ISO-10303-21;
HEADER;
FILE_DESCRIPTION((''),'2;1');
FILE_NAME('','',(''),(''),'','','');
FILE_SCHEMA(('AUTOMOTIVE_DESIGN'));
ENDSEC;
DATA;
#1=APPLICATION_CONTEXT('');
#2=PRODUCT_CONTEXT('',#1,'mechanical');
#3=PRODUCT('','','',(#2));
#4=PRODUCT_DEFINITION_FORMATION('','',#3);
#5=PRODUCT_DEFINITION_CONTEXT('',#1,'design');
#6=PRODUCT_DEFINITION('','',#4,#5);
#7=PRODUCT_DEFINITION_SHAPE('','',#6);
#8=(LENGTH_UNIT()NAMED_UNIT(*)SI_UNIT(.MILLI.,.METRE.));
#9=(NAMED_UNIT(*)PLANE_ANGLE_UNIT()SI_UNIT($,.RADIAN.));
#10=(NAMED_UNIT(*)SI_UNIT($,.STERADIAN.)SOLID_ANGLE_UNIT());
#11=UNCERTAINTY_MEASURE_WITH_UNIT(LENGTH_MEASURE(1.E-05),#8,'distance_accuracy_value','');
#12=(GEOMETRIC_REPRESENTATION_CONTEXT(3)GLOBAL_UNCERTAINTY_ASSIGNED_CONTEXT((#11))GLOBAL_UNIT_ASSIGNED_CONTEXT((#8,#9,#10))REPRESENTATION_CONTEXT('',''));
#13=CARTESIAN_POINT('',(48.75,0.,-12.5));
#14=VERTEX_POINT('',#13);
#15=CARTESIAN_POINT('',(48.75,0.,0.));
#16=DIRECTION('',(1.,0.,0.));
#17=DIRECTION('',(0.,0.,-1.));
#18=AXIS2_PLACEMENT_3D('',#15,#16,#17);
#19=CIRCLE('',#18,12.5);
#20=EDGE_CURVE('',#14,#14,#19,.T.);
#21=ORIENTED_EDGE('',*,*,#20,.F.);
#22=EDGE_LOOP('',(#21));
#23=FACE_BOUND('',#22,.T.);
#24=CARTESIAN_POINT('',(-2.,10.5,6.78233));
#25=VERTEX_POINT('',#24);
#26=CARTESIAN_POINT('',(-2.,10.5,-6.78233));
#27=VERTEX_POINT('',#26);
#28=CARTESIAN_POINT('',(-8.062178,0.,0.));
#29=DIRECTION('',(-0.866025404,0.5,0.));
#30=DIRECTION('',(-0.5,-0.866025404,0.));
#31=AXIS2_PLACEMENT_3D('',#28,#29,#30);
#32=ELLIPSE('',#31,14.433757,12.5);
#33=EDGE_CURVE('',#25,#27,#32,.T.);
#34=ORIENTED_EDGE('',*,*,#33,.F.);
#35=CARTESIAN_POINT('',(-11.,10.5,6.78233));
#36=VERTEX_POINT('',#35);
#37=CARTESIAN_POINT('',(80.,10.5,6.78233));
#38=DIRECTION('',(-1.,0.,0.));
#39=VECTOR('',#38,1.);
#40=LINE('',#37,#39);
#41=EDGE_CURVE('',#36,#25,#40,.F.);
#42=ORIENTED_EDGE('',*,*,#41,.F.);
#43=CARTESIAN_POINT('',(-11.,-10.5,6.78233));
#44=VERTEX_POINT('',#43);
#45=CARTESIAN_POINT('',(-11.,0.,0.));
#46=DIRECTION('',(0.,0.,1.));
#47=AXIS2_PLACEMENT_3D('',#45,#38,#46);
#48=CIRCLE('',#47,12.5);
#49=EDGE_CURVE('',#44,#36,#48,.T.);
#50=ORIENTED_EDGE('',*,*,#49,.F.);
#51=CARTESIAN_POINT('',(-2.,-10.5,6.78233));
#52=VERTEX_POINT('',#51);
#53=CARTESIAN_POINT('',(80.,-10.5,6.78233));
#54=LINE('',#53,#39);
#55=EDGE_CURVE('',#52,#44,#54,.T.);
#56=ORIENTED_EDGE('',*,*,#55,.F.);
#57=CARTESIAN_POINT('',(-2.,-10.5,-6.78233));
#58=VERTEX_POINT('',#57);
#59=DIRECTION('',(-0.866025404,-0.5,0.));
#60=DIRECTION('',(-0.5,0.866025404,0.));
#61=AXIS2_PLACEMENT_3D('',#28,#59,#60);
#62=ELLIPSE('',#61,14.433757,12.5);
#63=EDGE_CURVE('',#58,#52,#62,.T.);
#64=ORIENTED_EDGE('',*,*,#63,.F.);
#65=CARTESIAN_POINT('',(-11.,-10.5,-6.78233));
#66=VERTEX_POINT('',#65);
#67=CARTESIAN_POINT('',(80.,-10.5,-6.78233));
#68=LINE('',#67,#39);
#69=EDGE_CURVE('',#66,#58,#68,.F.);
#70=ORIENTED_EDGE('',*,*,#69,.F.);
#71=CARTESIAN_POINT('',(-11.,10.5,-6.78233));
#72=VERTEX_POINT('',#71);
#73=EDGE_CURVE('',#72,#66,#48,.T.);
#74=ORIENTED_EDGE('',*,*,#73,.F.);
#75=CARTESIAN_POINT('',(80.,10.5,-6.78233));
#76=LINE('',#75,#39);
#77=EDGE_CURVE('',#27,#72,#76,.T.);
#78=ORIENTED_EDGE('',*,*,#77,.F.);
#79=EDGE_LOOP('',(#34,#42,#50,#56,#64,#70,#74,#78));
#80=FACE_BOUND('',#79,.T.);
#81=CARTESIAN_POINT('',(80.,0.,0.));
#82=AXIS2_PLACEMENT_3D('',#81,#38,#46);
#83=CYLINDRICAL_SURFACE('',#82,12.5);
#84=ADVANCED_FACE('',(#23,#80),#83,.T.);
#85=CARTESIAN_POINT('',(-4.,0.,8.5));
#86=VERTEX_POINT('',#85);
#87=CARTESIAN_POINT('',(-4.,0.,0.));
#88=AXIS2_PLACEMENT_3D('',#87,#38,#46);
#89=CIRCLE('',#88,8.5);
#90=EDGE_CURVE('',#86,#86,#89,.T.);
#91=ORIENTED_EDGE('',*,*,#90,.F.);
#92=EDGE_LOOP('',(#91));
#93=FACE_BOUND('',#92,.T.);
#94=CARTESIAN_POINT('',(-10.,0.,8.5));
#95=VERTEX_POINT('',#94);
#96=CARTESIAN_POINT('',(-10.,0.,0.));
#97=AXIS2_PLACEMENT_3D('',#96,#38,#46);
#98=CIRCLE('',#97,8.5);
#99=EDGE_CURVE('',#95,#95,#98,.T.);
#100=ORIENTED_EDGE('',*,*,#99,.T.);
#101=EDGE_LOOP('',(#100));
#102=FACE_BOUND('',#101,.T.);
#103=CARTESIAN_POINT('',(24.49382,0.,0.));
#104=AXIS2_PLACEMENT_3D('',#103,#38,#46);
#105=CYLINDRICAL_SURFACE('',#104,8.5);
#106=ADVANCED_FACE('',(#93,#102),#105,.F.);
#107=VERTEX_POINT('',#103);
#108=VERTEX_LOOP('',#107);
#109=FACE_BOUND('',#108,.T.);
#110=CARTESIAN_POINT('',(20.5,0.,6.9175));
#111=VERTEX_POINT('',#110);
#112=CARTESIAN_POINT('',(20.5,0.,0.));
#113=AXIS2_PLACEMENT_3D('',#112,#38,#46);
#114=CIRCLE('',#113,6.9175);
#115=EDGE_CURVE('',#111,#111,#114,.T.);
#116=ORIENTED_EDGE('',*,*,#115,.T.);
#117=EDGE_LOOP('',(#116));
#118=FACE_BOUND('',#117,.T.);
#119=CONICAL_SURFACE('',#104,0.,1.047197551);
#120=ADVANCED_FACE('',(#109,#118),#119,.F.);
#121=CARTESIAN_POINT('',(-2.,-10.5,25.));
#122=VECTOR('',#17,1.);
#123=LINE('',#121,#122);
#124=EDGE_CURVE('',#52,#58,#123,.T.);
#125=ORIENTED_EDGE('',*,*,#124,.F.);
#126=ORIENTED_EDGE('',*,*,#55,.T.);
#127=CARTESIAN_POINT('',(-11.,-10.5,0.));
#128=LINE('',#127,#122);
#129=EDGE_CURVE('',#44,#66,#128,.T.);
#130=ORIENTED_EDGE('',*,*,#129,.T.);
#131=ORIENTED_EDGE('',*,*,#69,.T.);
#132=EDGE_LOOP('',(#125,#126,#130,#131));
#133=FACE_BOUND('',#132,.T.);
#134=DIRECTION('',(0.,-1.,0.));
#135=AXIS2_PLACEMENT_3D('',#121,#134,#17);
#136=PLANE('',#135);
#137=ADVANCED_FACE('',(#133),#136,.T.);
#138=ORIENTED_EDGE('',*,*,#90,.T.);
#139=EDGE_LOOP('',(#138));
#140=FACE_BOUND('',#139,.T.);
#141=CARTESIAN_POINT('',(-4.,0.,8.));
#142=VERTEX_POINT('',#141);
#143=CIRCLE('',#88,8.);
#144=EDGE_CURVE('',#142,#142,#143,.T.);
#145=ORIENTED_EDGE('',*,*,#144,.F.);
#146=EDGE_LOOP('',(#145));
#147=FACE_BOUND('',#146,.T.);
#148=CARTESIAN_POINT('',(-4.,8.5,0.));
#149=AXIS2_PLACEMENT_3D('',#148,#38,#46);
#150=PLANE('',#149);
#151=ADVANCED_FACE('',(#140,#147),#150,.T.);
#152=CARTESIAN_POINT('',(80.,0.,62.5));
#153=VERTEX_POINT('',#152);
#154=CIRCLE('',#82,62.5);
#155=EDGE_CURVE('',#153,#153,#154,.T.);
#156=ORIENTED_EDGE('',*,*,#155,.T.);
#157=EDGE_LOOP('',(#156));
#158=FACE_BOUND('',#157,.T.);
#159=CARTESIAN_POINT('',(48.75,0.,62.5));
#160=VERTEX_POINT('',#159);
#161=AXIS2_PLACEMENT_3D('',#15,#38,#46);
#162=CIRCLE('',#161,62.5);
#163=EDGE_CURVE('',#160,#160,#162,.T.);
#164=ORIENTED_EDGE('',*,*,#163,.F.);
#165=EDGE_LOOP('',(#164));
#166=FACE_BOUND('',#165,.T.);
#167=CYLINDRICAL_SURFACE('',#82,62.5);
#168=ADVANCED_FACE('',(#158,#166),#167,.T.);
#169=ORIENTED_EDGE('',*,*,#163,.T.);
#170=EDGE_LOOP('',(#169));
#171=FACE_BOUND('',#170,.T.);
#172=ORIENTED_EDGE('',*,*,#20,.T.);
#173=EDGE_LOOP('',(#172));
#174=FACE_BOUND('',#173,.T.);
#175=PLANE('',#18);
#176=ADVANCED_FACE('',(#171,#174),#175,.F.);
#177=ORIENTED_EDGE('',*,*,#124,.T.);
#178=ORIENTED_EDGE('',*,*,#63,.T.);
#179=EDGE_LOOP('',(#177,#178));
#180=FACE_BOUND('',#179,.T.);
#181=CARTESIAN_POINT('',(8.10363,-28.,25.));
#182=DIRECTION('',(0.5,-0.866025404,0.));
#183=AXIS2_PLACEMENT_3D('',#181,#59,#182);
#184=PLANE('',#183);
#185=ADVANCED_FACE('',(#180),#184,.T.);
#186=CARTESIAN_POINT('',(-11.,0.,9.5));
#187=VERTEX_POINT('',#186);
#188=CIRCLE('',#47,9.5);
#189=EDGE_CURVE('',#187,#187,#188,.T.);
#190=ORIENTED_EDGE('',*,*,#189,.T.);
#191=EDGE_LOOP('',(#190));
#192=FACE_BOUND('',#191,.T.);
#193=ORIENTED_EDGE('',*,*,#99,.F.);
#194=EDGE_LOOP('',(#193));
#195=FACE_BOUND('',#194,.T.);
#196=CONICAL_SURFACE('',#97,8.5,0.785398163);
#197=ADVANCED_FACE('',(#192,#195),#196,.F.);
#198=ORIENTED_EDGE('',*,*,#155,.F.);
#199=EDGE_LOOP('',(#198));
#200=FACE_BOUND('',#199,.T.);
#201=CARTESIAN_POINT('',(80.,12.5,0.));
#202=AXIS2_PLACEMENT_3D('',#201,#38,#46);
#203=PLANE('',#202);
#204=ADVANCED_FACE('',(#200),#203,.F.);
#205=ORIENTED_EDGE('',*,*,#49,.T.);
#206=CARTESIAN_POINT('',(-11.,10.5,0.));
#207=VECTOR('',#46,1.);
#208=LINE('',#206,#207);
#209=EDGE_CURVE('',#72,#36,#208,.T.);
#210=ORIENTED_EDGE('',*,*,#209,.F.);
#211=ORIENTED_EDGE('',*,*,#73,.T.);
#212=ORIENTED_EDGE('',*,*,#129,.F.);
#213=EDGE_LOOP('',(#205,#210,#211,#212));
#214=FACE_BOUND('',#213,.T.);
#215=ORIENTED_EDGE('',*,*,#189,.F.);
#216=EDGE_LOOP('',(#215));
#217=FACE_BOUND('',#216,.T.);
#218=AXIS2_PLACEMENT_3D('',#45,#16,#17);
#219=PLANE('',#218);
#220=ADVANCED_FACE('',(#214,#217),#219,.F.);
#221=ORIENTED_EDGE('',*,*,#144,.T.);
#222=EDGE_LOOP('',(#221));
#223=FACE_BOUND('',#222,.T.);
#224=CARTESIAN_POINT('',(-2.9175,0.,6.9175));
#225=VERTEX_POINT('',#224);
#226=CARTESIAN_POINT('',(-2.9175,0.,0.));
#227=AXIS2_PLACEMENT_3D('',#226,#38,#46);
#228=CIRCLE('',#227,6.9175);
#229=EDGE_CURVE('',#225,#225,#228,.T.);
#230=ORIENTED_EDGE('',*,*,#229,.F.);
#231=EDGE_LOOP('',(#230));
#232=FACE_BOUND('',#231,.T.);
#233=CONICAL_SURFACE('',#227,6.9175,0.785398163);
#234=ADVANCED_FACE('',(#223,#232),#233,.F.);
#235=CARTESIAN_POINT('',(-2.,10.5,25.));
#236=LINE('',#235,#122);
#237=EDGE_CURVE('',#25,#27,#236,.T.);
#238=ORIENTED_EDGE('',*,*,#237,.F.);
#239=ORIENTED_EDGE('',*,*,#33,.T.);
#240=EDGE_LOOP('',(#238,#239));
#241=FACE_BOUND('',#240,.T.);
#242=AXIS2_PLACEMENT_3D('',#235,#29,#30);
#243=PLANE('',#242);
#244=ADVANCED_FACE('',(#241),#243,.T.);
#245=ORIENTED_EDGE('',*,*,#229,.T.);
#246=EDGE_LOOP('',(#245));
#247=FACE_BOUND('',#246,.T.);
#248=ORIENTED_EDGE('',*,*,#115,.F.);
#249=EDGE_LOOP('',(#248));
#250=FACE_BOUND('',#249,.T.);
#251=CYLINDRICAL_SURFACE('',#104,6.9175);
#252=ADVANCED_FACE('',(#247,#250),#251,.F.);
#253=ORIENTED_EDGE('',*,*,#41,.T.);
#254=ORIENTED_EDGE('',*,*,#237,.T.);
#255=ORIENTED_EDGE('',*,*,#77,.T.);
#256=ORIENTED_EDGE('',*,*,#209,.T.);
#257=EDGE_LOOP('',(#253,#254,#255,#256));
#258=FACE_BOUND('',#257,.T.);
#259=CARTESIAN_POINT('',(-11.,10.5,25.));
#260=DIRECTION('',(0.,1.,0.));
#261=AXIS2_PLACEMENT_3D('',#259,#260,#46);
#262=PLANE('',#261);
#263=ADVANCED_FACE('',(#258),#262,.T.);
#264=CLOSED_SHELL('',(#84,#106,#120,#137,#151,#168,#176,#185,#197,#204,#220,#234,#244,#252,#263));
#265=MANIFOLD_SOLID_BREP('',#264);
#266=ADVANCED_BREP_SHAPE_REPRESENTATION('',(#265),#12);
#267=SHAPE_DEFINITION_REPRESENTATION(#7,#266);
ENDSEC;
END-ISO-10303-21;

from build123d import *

# Parameters (mm, degrees)
SKETCH1_W               = 91
SKETCH1_H               = 12.5
SKETCH2_W               = 31.25
SKETCH2_H               = 62.5
CUT_EXTRUDE1_DEPTH      = 25
CUT_EXTRUDE1_DEPTH_BACK = 25


with BuildPart() as part:
    # Sketch1 → Revolve1 (revolve)
    with BuildSketch(Plane.XY):
        with Locations((34.5, 6.25)):
            Rectangle(SKETCH1_W, SKETCH1_H)
    revolve(axis=Axis((80, 0, 0), (-1, 0, 0)))

    # Sketch2 → Revolve2 (revolve)
    with BuildSketch(Plane.XY):
        with Locations((64.375, 31.25)):
            Rectangle(SKETCH2_W, SKETCH2_H)
    revolve(axis=Axis((80, 0, 0), (-1, 0, 0)))

    # Sketch3 → Cut-Extrude1 (cut, two sides: drawn at the far end of the back side and taken through both)
    with BuildSketch(Plane.XY.offset(-CUT_EXTRUDE1_DEPTH_BACK)):
        Polygon((-67, -28), (8.103629711, -28), (-2, -10.5), (-11, -10.5), (-11, -15.5), (-56, -15.5), (-56, 15.5), (-11, 15.5), (-11, 10.5), (-2, 10.5), (8.103629711, 28), (-67, 28), align=None)
    extrude(amount=CUT_EXTRUDE1_DEPTH + CUT_EXTRUDE1_DEPTH_BACK, mode=Mode.SUBTRACT)

    # Sketch4 → Cut-Revolve1 (revolve, cut)
    with BuildSketch(Plane.XY):
        Polygon((-11, 0), (-11, 9.5), (-10, 8.5), (-4, 8.5), (-4, 8), (-2.9175, 6.9175), (20.5, 6.9175), (24.493820487, 0), align=None)
    revolve(axis=Axis((24.493820487, 0, 0), (-1, 0, 0)), mode=Mode.SUBTRACT)


solid = part.part
